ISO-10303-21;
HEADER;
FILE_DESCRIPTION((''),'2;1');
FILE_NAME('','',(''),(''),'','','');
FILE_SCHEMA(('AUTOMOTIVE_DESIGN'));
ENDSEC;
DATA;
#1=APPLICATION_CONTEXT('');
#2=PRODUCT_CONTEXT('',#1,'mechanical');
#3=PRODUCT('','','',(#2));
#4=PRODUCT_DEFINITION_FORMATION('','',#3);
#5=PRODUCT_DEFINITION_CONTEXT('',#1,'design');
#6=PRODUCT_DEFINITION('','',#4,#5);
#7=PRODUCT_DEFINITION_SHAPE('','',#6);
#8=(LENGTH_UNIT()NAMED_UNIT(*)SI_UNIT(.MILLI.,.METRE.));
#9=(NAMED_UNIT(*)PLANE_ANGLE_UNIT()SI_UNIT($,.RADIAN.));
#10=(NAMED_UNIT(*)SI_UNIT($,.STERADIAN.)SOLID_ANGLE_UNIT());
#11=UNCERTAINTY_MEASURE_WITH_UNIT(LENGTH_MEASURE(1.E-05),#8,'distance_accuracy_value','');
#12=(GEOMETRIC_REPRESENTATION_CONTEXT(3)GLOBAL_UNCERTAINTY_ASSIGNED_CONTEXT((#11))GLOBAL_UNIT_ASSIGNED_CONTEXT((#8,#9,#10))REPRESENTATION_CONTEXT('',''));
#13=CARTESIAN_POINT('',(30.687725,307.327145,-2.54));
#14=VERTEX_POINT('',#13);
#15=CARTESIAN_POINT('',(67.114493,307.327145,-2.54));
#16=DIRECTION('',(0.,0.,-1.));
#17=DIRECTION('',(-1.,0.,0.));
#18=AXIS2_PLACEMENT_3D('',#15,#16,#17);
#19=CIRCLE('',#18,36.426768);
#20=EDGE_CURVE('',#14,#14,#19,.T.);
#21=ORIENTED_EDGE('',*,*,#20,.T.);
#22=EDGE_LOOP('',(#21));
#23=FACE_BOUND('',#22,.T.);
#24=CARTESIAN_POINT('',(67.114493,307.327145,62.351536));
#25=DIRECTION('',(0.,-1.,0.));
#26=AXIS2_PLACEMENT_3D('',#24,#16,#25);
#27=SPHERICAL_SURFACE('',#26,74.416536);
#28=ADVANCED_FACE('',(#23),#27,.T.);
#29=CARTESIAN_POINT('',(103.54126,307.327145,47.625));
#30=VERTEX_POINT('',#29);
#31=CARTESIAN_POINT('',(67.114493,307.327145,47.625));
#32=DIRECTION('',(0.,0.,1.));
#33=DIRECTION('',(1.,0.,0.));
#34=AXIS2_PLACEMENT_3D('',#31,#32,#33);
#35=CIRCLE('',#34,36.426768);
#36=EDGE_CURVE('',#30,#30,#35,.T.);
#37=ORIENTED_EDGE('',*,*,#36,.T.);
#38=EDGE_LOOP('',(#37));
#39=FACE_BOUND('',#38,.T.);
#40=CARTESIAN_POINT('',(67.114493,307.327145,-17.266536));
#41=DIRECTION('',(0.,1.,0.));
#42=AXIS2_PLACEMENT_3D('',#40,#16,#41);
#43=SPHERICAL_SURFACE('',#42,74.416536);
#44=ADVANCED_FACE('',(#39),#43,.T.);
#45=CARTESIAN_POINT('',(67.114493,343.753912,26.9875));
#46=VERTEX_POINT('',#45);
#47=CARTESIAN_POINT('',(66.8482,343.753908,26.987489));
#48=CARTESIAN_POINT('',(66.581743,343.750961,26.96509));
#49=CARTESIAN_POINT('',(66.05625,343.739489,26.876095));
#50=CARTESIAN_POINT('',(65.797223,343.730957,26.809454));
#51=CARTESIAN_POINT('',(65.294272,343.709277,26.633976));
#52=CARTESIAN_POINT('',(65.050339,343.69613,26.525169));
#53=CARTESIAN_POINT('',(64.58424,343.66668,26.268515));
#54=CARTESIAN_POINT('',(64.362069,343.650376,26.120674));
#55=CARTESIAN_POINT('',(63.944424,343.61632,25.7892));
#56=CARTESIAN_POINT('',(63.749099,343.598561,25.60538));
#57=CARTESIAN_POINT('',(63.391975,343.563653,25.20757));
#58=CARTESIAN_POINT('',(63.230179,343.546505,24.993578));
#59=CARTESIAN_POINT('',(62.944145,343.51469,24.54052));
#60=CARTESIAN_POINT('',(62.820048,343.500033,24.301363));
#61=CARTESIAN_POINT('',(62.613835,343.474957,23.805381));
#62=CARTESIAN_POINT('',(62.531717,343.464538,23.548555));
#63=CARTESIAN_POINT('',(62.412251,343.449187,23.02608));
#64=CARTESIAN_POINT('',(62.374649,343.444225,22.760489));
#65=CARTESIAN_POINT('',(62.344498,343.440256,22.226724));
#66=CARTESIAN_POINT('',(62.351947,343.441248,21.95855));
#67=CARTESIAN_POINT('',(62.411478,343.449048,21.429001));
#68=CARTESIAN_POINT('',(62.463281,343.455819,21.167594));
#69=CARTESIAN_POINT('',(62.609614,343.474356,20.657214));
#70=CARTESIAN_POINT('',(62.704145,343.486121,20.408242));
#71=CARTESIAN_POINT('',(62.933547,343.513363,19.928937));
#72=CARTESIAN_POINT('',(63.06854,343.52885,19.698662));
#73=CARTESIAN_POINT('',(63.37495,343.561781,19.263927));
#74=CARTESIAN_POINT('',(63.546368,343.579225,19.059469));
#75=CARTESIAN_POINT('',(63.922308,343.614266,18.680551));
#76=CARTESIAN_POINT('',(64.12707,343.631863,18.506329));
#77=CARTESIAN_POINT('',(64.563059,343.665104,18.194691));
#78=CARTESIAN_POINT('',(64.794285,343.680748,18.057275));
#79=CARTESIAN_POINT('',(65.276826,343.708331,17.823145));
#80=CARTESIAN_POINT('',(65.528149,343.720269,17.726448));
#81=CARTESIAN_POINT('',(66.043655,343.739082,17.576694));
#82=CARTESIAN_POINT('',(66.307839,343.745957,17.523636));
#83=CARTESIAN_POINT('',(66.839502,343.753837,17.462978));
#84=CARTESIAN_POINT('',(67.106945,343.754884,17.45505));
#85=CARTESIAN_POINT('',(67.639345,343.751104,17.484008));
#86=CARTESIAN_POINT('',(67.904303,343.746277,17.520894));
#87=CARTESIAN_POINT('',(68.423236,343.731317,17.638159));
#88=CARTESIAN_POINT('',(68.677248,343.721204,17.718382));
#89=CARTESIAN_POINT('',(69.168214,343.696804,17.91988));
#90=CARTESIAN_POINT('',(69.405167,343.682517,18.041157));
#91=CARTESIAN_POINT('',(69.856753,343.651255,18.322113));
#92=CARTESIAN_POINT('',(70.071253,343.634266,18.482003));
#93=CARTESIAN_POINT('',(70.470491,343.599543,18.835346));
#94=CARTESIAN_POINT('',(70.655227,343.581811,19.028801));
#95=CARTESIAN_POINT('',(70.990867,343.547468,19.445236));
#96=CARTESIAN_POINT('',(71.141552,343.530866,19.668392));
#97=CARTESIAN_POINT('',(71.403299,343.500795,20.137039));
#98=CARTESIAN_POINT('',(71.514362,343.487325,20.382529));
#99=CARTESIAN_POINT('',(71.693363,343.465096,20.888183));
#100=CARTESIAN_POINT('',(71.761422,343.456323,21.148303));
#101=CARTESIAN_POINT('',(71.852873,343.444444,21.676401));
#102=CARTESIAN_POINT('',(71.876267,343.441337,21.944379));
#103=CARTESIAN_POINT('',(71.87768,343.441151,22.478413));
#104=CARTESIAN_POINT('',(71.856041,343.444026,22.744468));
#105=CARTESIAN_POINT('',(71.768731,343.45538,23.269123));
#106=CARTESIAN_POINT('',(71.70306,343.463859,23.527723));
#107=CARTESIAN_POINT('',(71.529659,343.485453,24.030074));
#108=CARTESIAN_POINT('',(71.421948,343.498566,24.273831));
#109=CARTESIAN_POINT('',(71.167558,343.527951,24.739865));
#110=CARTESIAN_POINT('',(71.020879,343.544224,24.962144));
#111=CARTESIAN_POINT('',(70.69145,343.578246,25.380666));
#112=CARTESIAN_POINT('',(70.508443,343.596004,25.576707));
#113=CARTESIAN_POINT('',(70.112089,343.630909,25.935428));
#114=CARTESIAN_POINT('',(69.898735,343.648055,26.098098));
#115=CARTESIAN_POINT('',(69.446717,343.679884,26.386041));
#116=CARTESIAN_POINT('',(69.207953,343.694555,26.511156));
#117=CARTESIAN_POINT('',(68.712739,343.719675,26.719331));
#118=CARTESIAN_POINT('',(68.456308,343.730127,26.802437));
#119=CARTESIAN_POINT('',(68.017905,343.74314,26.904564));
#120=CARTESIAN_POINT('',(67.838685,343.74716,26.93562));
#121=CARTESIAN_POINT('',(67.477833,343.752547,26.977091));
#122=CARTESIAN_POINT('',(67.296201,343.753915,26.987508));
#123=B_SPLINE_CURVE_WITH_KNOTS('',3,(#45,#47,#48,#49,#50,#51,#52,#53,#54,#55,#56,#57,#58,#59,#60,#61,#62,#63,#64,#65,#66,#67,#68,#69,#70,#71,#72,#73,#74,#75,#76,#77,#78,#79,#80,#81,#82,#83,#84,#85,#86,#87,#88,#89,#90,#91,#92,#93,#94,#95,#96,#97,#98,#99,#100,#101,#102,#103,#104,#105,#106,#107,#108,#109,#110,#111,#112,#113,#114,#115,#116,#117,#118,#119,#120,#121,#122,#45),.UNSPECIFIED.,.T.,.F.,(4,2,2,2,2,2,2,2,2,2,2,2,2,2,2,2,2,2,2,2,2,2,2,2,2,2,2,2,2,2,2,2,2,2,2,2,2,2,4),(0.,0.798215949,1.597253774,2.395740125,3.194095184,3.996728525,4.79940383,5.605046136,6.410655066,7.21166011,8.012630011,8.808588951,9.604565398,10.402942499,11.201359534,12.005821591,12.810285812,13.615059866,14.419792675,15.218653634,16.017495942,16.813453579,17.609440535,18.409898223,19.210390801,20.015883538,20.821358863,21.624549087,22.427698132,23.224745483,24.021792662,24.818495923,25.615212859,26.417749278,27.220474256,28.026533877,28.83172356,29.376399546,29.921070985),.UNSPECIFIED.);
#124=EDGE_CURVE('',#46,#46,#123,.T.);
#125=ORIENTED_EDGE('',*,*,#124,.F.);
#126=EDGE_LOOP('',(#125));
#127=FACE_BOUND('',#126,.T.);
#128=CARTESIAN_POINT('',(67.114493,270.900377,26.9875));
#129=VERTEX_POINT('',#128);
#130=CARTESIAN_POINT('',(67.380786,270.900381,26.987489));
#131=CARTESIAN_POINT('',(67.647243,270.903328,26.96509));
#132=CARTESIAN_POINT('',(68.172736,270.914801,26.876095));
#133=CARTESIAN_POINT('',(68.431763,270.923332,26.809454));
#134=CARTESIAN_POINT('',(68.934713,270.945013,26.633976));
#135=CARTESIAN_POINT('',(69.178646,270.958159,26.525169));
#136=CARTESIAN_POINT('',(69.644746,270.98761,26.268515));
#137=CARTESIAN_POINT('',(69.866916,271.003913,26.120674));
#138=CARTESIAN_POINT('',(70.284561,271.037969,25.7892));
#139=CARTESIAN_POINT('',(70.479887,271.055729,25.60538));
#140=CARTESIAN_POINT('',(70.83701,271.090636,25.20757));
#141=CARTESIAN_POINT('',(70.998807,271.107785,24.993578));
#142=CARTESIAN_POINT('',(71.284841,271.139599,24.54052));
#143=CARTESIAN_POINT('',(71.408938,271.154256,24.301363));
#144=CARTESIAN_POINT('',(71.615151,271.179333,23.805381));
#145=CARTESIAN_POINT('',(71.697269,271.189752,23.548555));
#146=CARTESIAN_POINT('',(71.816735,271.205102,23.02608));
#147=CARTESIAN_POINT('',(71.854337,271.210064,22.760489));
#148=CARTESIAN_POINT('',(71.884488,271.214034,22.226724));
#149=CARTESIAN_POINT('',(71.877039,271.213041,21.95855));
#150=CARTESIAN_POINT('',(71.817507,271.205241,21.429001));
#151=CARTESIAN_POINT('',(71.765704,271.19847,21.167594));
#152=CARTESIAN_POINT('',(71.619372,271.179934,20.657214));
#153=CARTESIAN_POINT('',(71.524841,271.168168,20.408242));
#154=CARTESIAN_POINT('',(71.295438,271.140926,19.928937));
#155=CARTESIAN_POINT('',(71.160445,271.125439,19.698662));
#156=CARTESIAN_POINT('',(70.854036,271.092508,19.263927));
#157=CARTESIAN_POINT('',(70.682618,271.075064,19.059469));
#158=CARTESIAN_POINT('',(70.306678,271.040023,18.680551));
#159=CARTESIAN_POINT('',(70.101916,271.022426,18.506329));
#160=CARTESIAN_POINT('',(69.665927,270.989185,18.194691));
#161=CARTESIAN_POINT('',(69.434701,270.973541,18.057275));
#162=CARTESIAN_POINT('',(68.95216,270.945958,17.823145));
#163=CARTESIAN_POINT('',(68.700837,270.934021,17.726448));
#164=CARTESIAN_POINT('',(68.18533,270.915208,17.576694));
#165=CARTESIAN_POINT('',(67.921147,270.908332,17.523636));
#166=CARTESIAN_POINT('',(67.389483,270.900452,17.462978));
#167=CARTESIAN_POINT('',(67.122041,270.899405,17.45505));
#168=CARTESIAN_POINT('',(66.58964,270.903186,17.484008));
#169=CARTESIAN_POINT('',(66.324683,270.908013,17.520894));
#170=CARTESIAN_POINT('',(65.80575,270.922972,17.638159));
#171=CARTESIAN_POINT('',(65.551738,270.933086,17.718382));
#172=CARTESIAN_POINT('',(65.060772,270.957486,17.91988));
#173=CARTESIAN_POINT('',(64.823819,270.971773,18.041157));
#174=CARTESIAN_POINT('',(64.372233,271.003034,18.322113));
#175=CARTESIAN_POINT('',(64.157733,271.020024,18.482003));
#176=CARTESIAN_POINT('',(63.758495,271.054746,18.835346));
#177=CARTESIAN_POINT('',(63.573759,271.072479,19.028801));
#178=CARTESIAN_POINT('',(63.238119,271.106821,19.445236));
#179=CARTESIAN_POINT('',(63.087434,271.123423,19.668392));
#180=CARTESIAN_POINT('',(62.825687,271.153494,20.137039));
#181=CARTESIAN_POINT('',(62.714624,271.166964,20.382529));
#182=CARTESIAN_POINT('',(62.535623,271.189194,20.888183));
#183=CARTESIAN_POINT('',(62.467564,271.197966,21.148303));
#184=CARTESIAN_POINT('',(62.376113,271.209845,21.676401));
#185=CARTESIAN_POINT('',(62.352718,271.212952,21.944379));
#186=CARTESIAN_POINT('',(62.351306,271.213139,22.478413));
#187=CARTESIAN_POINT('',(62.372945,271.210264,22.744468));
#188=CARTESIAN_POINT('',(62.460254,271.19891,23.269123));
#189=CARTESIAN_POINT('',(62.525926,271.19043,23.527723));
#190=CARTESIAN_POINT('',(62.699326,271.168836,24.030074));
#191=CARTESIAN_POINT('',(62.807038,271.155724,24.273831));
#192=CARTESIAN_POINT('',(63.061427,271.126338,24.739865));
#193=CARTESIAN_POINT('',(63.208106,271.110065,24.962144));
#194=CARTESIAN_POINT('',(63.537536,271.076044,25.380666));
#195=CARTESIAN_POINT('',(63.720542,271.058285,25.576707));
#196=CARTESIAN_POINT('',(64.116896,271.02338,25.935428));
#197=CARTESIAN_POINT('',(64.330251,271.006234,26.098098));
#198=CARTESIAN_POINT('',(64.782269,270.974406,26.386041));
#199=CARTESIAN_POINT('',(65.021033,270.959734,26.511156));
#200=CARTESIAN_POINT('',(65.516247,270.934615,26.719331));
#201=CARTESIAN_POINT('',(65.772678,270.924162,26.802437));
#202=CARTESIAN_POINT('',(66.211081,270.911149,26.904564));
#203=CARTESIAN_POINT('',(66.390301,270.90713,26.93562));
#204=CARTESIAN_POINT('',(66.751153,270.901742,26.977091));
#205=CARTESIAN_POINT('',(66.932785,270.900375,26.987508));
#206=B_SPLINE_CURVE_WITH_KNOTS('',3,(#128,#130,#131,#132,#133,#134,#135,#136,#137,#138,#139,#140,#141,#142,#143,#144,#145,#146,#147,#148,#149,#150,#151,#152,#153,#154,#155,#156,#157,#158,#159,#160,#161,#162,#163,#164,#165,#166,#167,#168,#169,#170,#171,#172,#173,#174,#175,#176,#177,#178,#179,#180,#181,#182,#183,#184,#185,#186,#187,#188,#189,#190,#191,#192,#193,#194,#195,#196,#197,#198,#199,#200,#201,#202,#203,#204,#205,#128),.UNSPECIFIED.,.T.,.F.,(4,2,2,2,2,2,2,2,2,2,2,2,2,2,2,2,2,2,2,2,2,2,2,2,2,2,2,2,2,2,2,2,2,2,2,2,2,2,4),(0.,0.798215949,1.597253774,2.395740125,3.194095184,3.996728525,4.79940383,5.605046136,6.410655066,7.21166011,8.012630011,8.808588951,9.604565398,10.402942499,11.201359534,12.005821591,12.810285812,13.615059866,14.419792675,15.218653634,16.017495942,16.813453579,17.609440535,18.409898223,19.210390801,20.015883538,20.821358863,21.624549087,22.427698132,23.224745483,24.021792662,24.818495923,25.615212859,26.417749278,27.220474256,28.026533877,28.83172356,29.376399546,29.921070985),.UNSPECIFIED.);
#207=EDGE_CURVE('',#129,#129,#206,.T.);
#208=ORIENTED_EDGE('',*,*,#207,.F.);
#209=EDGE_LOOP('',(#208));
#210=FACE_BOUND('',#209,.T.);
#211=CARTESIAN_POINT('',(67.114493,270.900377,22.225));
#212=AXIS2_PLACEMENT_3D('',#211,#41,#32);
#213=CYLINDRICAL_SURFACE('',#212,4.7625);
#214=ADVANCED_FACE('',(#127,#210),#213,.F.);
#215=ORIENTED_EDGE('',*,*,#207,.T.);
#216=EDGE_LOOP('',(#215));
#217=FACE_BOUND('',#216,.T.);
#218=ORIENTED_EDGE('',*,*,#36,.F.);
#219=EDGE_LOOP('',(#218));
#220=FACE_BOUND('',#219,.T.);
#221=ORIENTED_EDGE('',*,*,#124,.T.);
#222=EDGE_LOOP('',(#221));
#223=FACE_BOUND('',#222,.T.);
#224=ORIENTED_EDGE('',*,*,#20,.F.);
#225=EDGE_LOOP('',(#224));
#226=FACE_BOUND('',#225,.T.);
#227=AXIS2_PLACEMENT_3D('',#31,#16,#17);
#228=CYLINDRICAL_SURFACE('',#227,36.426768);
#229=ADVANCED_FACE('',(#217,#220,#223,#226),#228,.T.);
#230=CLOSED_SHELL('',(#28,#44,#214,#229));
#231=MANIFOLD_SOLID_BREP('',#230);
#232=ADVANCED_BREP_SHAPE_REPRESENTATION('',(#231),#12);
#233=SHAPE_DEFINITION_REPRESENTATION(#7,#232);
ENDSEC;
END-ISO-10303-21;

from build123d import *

# Parameters (mm, degrees)
BOSS_EXTRUDE1_DEPTH      = 47.625
BOSS_EXTRUDE1_DEPTH_BACK = 2.54
SKETCH1_R                = 36.426767544
SKETCH4_R                = 4.7625
CUT_EXTRUDE1_DEPTH       = 139.904833197


with BuildPart() as part:
    # Sketch1 → Boss-Extrude1 (new, two sides: drawn at the far end of the back side and taken through both)
    with BuildSketch(Plane.XY.offset(-BOSS_EXTRUDE1_DEPTH_BACK)):
        with Locations((67.114492883, 307.327144707)):
            Circle(SKETCH1_R)
    extrude(amount=BOSS_EXTRUDE1_DEPTH + BOSS_EXTRUDE1_DEPTH_BACK)

    # Sketch3 → Revolve1 (revolve)
    with BuildSketch(Plane(origin=(67.114492883, 0, 0), x_dir=(0, 0, -1), z_dir=(1, 0, 0)), mode=Mode.PRIVATE) as revolve1_sk:
        with BuildLine():
            Line((-47.625, 307.327144707), (-57.15, 307.327144707))
            ThreePointArc((-57.15, 307.327144707), (-54.72938109, 326.152891828), (-47.625, 343.75391225))
            Line((-47.625, 343.75391225), (-47.625, 307.327144707))
        make_face()
        with BuildLine():
            Line((2.54, 307.327144707), (12.065, 307.327144707))
            ThreePointArc((12.065, 307.327144707), (9.64438109, 326.152891828), (2.54, 343.75391225))
            Line((2.54, 343.75391225), (2.54, 307.327144707))
        make_face()
    revolve(revolve1_sk.sketch.rotate(Axis((67.114492883, 307.327144707, 47.625), (0, 0, 1)), 90), axis=Axis((67.114492883, 307.327144707, 47.625), (0, 0, 1)))

    # Sketch4 → Cut-Extrude1 (cut, through all)
    with BuildSketch(Plane(origin=(0, 343.75391225, 0), x_dir=(1, 0, 0), z_dir=(0, 1, 0))):
        with Locations(Location((67.114492883, -22.225, 0), (0, 0, 270))):
            Circle(SKETCH4_R)
    extrude(amount=-CUT_EXTRUDE1_DEPTH, mode=Mode.SUBTRACT)


solid = part.part
